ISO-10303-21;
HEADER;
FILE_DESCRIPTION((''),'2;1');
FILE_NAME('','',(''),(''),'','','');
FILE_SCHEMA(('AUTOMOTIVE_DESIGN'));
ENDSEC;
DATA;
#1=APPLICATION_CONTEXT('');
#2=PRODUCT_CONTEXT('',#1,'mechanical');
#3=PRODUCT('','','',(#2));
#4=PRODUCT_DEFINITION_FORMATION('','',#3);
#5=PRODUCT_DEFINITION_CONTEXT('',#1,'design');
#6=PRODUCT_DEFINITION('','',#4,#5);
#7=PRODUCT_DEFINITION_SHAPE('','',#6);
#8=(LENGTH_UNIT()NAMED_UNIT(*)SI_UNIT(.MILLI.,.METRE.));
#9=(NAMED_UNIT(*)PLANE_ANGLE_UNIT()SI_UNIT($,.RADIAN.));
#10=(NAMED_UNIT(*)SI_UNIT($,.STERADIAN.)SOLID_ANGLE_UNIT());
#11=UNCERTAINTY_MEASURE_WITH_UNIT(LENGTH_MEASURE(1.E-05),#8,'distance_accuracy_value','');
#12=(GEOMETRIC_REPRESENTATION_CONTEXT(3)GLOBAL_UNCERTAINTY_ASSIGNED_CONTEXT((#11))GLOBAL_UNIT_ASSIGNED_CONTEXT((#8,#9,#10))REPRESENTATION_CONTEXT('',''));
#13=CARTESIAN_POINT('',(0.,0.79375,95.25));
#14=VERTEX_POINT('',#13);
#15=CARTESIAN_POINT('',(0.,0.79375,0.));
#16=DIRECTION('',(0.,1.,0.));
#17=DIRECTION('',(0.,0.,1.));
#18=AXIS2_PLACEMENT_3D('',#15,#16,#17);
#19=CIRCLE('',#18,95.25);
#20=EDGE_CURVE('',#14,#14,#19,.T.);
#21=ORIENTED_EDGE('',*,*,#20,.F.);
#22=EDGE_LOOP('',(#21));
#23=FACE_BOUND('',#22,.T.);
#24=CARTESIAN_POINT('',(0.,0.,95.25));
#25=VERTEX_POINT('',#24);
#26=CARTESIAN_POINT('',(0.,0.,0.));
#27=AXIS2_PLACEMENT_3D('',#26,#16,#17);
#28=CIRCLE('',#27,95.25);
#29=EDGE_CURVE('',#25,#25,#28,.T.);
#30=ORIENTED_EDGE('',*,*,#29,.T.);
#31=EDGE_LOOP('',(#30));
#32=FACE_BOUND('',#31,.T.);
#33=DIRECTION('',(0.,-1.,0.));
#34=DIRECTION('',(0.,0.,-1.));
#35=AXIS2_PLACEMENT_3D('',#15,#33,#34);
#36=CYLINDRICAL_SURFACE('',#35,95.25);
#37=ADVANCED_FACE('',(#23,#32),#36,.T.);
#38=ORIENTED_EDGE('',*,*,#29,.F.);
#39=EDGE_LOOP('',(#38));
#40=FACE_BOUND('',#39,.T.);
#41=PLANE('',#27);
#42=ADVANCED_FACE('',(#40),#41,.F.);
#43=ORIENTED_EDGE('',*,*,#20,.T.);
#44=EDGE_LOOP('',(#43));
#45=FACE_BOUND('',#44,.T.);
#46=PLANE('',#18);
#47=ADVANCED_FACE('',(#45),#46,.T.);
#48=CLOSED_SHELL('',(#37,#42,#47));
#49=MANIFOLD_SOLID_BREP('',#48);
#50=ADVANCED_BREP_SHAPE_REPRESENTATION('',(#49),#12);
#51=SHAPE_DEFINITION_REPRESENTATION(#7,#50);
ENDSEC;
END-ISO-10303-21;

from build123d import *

# Parameters (mm, degrees)
SKETCH1_R           = 95.25
BOSS_EXTRUDE1_DEPTH = 0.79375


with BuildPart() as part:
    # Sketch1 → Boss-Extrude1 (new body)
    with BuildSketch(Plane(origin=(0, 0, 0), x_dir=(1, 0, 0), z_dir=(0, 1, 0))):
        with Locations(Location((0, 0, 0), (0, 0, 270))):
            Circle(SKETCH1_R)
    extrude(amount=BOSS_EXTRUDE1_DEPTH)


solid = part.part
